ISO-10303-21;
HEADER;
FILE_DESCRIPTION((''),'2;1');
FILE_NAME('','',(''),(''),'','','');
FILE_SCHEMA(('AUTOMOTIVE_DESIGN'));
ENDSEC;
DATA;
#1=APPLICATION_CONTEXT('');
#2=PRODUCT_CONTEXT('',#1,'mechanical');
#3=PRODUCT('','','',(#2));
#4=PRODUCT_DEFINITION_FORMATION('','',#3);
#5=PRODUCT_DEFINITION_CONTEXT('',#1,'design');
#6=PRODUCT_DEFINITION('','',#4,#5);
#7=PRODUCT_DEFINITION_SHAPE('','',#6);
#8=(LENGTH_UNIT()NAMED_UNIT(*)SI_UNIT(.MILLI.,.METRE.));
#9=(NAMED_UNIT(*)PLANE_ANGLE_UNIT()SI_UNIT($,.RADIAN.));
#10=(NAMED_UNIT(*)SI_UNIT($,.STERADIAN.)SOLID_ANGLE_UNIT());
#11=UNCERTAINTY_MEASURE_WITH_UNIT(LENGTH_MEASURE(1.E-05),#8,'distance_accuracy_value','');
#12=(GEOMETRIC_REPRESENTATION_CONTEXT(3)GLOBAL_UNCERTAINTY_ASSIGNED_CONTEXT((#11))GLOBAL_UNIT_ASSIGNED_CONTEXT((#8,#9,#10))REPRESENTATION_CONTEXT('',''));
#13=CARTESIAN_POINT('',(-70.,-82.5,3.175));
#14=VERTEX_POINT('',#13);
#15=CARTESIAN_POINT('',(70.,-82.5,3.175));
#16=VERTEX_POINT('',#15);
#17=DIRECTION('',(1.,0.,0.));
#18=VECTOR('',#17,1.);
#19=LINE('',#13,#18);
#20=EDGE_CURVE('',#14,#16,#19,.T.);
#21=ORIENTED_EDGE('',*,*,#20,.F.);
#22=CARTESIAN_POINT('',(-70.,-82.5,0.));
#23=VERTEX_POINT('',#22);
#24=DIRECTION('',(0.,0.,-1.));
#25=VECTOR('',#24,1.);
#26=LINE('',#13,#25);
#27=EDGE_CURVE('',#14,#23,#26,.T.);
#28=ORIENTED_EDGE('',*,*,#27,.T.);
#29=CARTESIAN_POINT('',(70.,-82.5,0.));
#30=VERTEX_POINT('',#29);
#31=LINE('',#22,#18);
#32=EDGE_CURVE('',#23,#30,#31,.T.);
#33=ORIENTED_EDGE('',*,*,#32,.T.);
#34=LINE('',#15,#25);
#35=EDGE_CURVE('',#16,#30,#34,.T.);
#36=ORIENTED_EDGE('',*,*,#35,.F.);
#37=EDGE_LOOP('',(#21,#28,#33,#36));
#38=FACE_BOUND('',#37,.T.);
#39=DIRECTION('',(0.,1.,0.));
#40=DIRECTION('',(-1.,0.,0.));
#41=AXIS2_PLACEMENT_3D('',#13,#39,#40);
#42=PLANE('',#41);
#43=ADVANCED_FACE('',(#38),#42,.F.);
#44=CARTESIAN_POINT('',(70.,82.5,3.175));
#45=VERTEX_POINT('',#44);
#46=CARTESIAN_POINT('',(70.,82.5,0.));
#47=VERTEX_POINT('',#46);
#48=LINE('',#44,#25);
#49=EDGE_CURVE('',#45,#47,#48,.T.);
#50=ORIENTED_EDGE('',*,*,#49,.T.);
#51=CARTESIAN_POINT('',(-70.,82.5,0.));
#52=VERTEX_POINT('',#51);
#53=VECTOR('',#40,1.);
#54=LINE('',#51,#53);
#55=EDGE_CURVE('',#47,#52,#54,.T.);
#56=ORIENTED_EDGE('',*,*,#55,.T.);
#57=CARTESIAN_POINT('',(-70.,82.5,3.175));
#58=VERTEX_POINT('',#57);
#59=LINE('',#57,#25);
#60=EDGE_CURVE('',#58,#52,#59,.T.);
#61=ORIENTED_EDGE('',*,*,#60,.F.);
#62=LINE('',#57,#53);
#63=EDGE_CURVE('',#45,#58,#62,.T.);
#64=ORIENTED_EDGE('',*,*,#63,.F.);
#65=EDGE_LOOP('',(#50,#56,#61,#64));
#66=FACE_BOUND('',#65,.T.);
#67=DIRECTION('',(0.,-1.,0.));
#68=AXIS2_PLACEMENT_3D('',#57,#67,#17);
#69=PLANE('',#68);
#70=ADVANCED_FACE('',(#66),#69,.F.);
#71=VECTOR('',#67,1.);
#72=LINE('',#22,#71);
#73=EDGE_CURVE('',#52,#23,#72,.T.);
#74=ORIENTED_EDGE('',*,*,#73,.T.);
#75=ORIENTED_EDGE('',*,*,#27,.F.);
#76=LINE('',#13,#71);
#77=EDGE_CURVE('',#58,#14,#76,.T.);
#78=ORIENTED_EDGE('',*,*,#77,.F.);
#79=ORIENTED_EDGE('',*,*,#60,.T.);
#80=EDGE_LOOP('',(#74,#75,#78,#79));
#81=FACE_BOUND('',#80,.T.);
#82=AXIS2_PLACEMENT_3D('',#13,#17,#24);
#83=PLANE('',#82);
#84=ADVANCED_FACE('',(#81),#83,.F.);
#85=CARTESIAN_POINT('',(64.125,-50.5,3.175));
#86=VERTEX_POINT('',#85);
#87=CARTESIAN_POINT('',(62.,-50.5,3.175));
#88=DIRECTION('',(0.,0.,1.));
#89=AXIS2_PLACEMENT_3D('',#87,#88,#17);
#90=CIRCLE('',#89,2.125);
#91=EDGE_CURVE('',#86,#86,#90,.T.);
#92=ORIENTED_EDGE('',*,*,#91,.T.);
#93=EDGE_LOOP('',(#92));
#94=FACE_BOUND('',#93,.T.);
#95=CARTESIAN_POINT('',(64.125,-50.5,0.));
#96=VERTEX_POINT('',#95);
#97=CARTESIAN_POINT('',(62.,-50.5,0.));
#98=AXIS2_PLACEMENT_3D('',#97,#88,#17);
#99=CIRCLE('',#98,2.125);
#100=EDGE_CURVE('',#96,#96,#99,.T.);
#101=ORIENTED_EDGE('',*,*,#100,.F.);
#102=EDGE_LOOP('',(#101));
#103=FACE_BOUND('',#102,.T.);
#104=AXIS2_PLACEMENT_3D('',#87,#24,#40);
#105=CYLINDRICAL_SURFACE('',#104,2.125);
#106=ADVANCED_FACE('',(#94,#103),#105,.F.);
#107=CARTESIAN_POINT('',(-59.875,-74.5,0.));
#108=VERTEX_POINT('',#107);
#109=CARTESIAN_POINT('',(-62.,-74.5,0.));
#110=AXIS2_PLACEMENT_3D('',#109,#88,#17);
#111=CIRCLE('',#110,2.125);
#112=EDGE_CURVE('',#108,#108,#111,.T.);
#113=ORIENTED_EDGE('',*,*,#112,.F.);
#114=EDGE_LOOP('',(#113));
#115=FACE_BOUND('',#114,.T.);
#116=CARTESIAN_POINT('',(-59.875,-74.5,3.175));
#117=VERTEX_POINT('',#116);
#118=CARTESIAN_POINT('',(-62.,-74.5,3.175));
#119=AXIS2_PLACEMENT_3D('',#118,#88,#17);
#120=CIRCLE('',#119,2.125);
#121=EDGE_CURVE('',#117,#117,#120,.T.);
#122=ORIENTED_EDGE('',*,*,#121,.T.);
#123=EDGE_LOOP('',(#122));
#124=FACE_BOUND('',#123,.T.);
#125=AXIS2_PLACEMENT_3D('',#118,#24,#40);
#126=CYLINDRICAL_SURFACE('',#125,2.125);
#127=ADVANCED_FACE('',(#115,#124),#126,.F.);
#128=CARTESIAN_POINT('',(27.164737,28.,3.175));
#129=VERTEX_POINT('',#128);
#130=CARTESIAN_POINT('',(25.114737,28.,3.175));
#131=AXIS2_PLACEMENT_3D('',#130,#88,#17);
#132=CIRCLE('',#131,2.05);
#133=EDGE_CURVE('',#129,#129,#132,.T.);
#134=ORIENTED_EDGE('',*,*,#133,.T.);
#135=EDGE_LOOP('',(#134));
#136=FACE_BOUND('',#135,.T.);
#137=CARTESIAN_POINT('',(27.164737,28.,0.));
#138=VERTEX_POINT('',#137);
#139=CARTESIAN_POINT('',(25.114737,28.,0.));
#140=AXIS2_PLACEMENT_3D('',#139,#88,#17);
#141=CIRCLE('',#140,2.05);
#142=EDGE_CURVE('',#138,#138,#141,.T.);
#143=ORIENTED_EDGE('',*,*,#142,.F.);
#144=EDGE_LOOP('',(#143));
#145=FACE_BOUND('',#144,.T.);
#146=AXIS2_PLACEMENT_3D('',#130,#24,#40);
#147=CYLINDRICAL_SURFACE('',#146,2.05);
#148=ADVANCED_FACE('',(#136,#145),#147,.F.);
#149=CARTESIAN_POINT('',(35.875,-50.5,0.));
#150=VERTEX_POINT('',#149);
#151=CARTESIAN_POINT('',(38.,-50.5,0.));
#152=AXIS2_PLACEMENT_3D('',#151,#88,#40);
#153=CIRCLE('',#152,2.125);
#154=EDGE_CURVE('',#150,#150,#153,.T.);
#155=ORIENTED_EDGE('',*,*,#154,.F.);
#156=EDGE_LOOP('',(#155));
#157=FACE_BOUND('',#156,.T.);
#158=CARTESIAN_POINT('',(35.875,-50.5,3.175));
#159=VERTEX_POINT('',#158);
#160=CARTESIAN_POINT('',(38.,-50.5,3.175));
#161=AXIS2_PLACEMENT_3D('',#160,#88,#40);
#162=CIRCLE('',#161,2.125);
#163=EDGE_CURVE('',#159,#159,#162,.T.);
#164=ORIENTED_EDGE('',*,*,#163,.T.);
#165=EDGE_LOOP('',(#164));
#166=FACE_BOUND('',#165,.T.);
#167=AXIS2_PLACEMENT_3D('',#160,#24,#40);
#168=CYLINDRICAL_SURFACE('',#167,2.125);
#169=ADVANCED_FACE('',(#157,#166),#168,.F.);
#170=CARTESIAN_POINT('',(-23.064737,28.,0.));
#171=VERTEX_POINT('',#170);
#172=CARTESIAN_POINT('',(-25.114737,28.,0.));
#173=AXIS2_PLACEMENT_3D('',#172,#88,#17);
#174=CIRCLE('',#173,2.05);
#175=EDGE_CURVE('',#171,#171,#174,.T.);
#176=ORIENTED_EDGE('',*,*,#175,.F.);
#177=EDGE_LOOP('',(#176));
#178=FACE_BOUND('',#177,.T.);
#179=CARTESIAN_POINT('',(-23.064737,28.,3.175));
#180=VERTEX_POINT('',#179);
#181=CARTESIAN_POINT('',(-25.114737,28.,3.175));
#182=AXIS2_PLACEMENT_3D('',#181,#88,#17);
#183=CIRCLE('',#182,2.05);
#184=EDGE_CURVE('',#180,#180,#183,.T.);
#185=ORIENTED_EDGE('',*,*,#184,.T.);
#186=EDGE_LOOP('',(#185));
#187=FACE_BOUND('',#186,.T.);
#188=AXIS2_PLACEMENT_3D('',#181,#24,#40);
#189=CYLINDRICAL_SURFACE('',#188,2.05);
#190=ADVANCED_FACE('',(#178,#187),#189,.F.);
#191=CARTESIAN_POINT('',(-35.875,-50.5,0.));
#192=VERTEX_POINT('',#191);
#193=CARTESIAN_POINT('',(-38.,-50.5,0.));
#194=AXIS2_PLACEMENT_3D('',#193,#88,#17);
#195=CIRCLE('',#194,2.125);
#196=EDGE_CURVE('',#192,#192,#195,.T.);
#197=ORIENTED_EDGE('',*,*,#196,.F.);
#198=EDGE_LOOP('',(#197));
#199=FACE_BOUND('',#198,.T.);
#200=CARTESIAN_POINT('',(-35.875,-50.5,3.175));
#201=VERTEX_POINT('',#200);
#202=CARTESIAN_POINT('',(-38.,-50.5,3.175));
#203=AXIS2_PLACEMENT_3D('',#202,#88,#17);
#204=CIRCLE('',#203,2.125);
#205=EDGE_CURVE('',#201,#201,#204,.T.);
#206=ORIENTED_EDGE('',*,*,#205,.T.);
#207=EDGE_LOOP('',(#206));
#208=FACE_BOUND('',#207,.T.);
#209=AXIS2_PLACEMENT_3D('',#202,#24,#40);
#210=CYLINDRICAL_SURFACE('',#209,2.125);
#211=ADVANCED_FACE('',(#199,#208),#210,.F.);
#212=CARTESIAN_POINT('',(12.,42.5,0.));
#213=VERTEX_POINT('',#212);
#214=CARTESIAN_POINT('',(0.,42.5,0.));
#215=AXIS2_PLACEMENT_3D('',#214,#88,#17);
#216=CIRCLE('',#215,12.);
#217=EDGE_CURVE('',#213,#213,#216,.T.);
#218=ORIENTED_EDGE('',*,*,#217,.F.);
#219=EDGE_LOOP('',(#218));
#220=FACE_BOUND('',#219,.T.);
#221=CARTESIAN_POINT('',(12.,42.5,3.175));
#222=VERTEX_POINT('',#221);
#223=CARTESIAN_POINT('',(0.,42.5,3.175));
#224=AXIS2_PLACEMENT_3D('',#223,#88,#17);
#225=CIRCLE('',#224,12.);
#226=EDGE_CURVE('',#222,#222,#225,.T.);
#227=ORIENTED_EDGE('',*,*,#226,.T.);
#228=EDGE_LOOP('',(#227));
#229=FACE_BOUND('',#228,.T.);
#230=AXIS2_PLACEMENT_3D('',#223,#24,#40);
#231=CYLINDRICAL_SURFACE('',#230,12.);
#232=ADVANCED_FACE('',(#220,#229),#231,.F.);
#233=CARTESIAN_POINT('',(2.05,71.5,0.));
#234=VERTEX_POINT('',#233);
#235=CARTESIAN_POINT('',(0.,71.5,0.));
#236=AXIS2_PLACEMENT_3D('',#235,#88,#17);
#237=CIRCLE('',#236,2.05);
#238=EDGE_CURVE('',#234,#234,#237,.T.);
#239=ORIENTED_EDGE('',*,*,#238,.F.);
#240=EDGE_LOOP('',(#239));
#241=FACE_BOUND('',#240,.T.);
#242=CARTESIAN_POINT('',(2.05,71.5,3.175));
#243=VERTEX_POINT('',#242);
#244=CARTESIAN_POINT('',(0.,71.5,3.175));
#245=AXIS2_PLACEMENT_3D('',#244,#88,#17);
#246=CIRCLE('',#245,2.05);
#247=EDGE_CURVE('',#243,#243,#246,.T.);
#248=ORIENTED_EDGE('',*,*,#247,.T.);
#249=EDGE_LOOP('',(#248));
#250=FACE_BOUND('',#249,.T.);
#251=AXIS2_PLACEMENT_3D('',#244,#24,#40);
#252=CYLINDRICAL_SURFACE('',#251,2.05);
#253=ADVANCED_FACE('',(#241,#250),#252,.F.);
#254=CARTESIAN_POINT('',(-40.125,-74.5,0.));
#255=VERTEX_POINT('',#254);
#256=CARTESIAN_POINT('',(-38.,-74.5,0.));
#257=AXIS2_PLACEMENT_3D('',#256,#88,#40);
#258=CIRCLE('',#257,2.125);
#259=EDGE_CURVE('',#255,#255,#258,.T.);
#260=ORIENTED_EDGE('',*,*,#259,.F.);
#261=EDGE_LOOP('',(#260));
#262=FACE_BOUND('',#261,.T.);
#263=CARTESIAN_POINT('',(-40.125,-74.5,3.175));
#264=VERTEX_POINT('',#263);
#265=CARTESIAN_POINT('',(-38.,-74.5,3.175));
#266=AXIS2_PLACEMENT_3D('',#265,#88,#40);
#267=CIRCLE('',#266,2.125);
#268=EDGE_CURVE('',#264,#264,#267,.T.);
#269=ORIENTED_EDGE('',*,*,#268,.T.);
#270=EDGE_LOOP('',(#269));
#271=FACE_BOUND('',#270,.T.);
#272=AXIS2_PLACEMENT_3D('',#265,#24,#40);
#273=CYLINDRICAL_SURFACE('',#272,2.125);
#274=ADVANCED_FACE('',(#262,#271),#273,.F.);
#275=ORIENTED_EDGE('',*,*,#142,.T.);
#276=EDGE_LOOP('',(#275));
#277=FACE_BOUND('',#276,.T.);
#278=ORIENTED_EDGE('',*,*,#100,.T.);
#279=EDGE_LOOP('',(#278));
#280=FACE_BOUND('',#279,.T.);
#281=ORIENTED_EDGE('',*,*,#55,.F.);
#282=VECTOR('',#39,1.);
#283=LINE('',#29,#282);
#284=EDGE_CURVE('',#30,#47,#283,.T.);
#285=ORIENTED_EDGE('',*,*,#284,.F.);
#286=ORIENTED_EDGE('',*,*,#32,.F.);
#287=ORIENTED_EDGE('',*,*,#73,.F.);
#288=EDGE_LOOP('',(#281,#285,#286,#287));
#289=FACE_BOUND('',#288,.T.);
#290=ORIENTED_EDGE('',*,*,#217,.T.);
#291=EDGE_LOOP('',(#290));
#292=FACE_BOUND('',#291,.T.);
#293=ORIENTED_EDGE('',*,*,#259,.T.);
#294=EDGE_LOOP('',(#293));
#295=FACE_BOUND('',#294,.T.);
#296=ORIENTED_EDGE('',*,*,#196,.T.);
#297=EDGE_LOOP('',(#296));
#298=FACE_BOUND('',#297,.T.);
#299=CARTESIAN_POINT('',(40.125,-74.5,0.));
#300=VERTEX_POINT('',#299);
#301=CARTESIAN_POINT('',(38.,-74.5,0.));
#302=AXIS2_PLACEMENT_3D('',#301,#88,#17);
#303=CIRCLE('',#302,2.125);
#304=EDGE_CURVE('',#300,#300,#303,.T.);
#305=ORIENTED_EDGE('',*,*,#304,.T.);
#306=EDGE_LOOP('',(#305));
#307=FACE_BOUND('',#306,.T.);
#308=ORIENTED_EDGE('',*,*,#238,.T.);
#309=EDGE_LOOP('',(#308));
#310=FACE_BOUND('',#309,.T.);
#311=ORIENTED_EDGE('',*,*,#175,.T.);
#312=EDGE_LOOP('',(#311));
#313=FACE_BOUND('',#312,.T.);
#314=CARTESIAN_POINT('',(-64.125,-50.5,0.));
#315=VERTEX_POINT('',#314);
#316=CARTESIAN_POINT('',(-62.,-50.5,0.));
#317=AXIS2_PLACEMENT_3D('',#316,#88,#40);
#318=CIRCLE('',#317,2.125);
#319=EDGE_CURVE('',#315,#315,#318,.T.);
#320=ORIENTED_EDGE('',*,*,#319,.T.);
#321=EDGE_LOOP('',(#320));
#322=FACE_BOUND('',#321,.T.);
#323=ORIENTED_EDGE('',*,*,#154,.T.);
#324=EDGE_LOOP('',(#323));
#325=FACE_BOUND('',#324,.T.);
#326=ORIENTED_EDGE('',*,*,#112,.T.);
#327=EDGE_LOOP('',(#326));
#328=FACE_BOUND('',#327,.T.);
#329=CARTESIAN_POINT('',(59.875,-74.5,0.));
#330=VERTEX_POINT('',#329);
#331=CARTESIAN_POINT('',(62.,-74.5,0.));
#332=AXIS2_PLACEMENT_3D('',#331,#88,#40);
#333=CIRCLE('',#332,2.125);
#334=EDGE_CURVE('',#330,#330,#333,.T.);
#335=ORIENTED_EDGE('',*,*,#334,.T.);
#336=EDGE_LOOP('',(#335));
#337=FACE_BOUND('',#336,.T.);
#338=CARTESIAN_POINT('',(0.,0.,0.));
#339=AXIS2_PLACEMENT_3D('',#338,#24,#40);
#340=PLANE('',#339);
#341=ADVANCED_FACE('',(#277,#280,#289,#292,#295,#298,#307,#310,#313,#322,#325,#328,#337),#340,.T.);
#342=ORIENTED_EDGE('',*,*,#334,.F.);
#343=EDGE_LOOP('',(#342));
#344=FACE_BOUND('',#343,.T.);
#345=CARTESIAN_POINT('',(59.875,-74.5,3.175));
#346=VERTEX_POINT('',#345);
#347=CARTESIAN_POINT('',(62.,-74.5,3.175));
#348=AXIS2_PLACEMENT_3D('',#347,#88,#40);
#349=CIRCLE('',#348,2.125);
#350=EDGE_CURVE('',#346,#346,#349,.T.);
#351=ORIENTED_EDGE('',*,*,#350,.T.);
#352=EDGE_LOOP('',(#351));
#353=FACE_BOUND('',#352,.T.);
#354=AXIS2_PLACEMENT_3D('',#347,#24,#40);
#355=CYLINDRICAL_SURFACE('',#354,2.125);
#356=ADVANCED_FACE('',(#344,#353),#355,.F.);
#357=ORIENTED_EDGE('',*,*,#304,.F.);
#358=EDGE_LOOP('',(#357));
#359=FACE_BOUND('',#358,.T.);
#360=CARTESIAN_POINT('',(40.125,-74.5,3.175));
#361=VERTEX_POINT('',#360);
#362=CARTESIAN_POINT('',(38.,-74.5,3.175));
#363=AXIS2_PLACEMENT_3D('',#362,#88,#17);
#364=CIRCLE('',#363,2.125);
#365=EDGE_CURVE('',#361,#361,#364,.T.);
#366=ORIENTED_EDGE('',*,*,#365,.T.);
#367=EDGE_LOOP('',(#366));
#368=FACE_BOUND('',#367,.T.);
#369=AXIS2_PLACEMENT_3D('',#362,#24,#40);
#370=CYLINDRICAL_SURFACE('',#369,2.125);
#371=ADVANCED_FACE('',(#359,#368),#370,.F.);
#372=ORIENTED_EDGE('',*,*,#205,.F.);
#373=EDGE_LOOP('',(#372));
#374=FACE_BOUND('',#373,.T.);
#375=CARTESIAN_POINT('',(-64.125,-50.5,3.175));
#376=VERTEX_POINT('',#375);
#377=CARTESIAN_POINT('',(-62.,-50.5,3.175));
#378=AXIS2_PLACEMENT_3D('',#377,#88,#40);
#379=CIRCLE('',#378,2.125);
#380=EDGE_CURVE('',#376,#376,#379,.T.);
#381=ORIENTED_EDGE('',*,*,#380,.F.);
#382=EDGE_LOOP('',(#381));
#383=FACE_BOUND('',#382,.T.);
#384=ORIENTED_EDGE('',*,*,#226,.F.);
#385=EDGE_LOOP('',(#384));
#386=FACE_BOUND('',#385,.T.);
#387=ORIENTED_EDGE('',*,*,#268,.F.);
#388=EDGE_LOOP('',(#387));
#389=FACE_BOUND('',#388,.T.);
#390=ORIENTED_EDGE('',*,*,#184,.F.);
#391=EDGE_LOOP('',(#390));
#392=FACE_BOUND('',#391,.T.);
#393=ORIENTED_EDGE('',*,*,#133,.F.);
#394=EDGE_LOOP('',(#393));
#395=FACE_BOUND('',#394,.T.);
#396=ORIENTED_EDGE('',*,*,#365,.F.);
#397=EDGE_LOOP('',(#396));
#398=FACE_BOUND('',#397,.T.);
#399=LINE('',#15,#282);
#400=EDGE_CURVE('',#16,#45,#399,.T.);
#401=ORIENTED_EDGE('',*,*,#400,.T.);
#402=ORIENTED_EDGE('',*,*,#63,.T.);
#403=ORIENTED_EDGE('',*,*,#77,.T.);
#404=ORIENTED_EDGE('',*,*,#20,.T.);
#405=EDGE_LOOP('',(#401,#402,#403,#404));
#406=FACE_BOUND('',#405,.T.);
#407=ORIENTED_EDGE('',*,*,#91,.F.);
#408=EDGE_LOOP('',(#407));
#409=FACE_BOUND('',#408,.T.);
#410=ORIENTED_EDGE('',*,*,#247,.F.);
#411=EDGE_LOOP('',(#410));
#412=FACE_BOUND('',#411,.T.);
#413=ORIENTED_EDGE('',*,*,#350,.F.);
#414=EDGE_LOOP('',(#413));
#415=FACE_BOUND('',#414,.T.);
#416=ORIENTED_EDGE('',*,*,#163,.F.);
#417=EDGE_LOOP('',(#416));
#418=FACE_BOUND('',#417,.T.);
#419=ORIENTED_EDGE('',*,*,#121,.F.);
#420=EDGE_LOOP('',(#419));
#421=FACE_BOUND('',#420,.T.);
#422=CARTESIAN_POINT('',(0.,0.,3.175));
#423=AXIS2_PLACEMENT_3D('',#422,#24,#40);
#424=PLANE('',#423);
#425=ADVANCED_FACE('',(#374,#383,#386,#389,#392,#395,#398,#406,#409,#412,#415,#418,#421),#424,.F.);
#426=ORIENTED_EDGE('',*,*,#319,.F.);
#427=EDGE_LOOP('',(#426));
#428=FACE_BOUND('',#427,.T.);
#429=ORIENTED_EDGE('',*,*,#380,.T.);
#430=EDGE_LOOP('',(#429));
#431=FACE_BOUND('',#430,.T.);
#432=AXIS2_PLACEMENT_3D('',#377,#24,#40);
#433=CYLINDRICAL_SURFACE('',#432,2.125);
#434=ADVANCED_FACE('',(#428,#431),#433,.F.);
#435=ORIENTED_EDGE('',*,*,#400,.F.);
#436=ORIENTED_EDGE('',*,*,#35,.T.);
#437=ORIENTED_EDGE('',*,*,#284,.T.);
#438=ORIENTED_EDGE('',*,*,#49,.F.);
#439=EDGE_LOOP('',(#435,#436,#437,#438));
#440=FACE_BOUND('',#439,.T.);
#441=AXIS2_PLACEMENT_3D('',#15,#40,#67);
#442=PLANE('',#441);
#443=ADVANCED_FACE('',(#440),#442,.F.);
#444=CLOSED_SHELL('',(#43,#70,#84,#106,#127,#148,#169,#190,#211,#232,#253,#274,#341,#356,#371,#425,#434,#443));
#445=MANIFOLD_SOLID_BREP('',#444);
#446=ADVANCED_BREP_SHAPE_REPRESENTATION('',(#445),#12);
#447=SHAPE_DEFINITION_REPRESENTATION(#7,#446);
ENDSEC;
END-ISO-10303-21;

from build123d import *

# Parameters (mm, degrees)
SKETCH1_W           = 140
SKETCH1_H           = 165
SKETCH1_R           = 2.05
SKETCH1_R_2         = 12
SKETCH1_R_3         = 2.125
BOSS_EXTRUDE1_DEPTH = 3.175


with BuildPart() as part:
    # Sketch1 → Boss-Extrude1 (new body)
    with BuildSketch(Plane.XY):
        Rectangle(SKETCH1_W, SKETCH1_H)
        with Locations((0, 71.5)):
            Circle(SKETCH1_R, mode=Mode.SUBTRACT)
        with Locations((25.11473671, 28)):
            Circle(SKETCH1_R, mode=Mode.SUBTRACT)
        with Locations((-25.11473671, 28)):
            Circle(SKETCH1_R, mode=Mode.SUBTRACT)
        with Locations((0, 42.5)):
            Circle(SKETCH1_R_2, mode=Mode.SUBTRACT)
        with Locations((-62, -74.5)):
            Circle(SKETCH1_R_3, mode=Mode.SUBTRACT)
        with Locations(Location((-38, -74.5, 0), (0, 0, 180))):
            Circle(SKETCH1_R_3, mode=Mode.SUBTRACT)
        with Locations((-38, -50.5)):
            Circle(SKETCH1_R_3, mode=Mode.SUBTRACT)
        with Locations(Location((-62, -50.5, 0), (0, 0, 180))):
            Circle(SKETCH1_R_3, mode=Mode.SUBTRACT)
        with Locations((38, -74.5)):
            Circle(SKETCH1_R_3, mode=Mode.SUBTRACT)
        with Locations(Location((62, -74.5, 0), (0, 0, 180))):
            Circle(SKETCH1_R_3, mode=Mode.SUBTRACT)
        with Locations((62, -50.5)):
            Circle(SKETCH1_R_3, mode=Mode.SUBTRACT)
        with Locations(Location((38, -50.5, 0), (0, 0, 180))):
            Circle(SKETCH1_R_3, mode=Mode.SUBTRACT)
    extrude(amount=BOSS_EXTRUDE1_DEPTH)


solid = part.part
